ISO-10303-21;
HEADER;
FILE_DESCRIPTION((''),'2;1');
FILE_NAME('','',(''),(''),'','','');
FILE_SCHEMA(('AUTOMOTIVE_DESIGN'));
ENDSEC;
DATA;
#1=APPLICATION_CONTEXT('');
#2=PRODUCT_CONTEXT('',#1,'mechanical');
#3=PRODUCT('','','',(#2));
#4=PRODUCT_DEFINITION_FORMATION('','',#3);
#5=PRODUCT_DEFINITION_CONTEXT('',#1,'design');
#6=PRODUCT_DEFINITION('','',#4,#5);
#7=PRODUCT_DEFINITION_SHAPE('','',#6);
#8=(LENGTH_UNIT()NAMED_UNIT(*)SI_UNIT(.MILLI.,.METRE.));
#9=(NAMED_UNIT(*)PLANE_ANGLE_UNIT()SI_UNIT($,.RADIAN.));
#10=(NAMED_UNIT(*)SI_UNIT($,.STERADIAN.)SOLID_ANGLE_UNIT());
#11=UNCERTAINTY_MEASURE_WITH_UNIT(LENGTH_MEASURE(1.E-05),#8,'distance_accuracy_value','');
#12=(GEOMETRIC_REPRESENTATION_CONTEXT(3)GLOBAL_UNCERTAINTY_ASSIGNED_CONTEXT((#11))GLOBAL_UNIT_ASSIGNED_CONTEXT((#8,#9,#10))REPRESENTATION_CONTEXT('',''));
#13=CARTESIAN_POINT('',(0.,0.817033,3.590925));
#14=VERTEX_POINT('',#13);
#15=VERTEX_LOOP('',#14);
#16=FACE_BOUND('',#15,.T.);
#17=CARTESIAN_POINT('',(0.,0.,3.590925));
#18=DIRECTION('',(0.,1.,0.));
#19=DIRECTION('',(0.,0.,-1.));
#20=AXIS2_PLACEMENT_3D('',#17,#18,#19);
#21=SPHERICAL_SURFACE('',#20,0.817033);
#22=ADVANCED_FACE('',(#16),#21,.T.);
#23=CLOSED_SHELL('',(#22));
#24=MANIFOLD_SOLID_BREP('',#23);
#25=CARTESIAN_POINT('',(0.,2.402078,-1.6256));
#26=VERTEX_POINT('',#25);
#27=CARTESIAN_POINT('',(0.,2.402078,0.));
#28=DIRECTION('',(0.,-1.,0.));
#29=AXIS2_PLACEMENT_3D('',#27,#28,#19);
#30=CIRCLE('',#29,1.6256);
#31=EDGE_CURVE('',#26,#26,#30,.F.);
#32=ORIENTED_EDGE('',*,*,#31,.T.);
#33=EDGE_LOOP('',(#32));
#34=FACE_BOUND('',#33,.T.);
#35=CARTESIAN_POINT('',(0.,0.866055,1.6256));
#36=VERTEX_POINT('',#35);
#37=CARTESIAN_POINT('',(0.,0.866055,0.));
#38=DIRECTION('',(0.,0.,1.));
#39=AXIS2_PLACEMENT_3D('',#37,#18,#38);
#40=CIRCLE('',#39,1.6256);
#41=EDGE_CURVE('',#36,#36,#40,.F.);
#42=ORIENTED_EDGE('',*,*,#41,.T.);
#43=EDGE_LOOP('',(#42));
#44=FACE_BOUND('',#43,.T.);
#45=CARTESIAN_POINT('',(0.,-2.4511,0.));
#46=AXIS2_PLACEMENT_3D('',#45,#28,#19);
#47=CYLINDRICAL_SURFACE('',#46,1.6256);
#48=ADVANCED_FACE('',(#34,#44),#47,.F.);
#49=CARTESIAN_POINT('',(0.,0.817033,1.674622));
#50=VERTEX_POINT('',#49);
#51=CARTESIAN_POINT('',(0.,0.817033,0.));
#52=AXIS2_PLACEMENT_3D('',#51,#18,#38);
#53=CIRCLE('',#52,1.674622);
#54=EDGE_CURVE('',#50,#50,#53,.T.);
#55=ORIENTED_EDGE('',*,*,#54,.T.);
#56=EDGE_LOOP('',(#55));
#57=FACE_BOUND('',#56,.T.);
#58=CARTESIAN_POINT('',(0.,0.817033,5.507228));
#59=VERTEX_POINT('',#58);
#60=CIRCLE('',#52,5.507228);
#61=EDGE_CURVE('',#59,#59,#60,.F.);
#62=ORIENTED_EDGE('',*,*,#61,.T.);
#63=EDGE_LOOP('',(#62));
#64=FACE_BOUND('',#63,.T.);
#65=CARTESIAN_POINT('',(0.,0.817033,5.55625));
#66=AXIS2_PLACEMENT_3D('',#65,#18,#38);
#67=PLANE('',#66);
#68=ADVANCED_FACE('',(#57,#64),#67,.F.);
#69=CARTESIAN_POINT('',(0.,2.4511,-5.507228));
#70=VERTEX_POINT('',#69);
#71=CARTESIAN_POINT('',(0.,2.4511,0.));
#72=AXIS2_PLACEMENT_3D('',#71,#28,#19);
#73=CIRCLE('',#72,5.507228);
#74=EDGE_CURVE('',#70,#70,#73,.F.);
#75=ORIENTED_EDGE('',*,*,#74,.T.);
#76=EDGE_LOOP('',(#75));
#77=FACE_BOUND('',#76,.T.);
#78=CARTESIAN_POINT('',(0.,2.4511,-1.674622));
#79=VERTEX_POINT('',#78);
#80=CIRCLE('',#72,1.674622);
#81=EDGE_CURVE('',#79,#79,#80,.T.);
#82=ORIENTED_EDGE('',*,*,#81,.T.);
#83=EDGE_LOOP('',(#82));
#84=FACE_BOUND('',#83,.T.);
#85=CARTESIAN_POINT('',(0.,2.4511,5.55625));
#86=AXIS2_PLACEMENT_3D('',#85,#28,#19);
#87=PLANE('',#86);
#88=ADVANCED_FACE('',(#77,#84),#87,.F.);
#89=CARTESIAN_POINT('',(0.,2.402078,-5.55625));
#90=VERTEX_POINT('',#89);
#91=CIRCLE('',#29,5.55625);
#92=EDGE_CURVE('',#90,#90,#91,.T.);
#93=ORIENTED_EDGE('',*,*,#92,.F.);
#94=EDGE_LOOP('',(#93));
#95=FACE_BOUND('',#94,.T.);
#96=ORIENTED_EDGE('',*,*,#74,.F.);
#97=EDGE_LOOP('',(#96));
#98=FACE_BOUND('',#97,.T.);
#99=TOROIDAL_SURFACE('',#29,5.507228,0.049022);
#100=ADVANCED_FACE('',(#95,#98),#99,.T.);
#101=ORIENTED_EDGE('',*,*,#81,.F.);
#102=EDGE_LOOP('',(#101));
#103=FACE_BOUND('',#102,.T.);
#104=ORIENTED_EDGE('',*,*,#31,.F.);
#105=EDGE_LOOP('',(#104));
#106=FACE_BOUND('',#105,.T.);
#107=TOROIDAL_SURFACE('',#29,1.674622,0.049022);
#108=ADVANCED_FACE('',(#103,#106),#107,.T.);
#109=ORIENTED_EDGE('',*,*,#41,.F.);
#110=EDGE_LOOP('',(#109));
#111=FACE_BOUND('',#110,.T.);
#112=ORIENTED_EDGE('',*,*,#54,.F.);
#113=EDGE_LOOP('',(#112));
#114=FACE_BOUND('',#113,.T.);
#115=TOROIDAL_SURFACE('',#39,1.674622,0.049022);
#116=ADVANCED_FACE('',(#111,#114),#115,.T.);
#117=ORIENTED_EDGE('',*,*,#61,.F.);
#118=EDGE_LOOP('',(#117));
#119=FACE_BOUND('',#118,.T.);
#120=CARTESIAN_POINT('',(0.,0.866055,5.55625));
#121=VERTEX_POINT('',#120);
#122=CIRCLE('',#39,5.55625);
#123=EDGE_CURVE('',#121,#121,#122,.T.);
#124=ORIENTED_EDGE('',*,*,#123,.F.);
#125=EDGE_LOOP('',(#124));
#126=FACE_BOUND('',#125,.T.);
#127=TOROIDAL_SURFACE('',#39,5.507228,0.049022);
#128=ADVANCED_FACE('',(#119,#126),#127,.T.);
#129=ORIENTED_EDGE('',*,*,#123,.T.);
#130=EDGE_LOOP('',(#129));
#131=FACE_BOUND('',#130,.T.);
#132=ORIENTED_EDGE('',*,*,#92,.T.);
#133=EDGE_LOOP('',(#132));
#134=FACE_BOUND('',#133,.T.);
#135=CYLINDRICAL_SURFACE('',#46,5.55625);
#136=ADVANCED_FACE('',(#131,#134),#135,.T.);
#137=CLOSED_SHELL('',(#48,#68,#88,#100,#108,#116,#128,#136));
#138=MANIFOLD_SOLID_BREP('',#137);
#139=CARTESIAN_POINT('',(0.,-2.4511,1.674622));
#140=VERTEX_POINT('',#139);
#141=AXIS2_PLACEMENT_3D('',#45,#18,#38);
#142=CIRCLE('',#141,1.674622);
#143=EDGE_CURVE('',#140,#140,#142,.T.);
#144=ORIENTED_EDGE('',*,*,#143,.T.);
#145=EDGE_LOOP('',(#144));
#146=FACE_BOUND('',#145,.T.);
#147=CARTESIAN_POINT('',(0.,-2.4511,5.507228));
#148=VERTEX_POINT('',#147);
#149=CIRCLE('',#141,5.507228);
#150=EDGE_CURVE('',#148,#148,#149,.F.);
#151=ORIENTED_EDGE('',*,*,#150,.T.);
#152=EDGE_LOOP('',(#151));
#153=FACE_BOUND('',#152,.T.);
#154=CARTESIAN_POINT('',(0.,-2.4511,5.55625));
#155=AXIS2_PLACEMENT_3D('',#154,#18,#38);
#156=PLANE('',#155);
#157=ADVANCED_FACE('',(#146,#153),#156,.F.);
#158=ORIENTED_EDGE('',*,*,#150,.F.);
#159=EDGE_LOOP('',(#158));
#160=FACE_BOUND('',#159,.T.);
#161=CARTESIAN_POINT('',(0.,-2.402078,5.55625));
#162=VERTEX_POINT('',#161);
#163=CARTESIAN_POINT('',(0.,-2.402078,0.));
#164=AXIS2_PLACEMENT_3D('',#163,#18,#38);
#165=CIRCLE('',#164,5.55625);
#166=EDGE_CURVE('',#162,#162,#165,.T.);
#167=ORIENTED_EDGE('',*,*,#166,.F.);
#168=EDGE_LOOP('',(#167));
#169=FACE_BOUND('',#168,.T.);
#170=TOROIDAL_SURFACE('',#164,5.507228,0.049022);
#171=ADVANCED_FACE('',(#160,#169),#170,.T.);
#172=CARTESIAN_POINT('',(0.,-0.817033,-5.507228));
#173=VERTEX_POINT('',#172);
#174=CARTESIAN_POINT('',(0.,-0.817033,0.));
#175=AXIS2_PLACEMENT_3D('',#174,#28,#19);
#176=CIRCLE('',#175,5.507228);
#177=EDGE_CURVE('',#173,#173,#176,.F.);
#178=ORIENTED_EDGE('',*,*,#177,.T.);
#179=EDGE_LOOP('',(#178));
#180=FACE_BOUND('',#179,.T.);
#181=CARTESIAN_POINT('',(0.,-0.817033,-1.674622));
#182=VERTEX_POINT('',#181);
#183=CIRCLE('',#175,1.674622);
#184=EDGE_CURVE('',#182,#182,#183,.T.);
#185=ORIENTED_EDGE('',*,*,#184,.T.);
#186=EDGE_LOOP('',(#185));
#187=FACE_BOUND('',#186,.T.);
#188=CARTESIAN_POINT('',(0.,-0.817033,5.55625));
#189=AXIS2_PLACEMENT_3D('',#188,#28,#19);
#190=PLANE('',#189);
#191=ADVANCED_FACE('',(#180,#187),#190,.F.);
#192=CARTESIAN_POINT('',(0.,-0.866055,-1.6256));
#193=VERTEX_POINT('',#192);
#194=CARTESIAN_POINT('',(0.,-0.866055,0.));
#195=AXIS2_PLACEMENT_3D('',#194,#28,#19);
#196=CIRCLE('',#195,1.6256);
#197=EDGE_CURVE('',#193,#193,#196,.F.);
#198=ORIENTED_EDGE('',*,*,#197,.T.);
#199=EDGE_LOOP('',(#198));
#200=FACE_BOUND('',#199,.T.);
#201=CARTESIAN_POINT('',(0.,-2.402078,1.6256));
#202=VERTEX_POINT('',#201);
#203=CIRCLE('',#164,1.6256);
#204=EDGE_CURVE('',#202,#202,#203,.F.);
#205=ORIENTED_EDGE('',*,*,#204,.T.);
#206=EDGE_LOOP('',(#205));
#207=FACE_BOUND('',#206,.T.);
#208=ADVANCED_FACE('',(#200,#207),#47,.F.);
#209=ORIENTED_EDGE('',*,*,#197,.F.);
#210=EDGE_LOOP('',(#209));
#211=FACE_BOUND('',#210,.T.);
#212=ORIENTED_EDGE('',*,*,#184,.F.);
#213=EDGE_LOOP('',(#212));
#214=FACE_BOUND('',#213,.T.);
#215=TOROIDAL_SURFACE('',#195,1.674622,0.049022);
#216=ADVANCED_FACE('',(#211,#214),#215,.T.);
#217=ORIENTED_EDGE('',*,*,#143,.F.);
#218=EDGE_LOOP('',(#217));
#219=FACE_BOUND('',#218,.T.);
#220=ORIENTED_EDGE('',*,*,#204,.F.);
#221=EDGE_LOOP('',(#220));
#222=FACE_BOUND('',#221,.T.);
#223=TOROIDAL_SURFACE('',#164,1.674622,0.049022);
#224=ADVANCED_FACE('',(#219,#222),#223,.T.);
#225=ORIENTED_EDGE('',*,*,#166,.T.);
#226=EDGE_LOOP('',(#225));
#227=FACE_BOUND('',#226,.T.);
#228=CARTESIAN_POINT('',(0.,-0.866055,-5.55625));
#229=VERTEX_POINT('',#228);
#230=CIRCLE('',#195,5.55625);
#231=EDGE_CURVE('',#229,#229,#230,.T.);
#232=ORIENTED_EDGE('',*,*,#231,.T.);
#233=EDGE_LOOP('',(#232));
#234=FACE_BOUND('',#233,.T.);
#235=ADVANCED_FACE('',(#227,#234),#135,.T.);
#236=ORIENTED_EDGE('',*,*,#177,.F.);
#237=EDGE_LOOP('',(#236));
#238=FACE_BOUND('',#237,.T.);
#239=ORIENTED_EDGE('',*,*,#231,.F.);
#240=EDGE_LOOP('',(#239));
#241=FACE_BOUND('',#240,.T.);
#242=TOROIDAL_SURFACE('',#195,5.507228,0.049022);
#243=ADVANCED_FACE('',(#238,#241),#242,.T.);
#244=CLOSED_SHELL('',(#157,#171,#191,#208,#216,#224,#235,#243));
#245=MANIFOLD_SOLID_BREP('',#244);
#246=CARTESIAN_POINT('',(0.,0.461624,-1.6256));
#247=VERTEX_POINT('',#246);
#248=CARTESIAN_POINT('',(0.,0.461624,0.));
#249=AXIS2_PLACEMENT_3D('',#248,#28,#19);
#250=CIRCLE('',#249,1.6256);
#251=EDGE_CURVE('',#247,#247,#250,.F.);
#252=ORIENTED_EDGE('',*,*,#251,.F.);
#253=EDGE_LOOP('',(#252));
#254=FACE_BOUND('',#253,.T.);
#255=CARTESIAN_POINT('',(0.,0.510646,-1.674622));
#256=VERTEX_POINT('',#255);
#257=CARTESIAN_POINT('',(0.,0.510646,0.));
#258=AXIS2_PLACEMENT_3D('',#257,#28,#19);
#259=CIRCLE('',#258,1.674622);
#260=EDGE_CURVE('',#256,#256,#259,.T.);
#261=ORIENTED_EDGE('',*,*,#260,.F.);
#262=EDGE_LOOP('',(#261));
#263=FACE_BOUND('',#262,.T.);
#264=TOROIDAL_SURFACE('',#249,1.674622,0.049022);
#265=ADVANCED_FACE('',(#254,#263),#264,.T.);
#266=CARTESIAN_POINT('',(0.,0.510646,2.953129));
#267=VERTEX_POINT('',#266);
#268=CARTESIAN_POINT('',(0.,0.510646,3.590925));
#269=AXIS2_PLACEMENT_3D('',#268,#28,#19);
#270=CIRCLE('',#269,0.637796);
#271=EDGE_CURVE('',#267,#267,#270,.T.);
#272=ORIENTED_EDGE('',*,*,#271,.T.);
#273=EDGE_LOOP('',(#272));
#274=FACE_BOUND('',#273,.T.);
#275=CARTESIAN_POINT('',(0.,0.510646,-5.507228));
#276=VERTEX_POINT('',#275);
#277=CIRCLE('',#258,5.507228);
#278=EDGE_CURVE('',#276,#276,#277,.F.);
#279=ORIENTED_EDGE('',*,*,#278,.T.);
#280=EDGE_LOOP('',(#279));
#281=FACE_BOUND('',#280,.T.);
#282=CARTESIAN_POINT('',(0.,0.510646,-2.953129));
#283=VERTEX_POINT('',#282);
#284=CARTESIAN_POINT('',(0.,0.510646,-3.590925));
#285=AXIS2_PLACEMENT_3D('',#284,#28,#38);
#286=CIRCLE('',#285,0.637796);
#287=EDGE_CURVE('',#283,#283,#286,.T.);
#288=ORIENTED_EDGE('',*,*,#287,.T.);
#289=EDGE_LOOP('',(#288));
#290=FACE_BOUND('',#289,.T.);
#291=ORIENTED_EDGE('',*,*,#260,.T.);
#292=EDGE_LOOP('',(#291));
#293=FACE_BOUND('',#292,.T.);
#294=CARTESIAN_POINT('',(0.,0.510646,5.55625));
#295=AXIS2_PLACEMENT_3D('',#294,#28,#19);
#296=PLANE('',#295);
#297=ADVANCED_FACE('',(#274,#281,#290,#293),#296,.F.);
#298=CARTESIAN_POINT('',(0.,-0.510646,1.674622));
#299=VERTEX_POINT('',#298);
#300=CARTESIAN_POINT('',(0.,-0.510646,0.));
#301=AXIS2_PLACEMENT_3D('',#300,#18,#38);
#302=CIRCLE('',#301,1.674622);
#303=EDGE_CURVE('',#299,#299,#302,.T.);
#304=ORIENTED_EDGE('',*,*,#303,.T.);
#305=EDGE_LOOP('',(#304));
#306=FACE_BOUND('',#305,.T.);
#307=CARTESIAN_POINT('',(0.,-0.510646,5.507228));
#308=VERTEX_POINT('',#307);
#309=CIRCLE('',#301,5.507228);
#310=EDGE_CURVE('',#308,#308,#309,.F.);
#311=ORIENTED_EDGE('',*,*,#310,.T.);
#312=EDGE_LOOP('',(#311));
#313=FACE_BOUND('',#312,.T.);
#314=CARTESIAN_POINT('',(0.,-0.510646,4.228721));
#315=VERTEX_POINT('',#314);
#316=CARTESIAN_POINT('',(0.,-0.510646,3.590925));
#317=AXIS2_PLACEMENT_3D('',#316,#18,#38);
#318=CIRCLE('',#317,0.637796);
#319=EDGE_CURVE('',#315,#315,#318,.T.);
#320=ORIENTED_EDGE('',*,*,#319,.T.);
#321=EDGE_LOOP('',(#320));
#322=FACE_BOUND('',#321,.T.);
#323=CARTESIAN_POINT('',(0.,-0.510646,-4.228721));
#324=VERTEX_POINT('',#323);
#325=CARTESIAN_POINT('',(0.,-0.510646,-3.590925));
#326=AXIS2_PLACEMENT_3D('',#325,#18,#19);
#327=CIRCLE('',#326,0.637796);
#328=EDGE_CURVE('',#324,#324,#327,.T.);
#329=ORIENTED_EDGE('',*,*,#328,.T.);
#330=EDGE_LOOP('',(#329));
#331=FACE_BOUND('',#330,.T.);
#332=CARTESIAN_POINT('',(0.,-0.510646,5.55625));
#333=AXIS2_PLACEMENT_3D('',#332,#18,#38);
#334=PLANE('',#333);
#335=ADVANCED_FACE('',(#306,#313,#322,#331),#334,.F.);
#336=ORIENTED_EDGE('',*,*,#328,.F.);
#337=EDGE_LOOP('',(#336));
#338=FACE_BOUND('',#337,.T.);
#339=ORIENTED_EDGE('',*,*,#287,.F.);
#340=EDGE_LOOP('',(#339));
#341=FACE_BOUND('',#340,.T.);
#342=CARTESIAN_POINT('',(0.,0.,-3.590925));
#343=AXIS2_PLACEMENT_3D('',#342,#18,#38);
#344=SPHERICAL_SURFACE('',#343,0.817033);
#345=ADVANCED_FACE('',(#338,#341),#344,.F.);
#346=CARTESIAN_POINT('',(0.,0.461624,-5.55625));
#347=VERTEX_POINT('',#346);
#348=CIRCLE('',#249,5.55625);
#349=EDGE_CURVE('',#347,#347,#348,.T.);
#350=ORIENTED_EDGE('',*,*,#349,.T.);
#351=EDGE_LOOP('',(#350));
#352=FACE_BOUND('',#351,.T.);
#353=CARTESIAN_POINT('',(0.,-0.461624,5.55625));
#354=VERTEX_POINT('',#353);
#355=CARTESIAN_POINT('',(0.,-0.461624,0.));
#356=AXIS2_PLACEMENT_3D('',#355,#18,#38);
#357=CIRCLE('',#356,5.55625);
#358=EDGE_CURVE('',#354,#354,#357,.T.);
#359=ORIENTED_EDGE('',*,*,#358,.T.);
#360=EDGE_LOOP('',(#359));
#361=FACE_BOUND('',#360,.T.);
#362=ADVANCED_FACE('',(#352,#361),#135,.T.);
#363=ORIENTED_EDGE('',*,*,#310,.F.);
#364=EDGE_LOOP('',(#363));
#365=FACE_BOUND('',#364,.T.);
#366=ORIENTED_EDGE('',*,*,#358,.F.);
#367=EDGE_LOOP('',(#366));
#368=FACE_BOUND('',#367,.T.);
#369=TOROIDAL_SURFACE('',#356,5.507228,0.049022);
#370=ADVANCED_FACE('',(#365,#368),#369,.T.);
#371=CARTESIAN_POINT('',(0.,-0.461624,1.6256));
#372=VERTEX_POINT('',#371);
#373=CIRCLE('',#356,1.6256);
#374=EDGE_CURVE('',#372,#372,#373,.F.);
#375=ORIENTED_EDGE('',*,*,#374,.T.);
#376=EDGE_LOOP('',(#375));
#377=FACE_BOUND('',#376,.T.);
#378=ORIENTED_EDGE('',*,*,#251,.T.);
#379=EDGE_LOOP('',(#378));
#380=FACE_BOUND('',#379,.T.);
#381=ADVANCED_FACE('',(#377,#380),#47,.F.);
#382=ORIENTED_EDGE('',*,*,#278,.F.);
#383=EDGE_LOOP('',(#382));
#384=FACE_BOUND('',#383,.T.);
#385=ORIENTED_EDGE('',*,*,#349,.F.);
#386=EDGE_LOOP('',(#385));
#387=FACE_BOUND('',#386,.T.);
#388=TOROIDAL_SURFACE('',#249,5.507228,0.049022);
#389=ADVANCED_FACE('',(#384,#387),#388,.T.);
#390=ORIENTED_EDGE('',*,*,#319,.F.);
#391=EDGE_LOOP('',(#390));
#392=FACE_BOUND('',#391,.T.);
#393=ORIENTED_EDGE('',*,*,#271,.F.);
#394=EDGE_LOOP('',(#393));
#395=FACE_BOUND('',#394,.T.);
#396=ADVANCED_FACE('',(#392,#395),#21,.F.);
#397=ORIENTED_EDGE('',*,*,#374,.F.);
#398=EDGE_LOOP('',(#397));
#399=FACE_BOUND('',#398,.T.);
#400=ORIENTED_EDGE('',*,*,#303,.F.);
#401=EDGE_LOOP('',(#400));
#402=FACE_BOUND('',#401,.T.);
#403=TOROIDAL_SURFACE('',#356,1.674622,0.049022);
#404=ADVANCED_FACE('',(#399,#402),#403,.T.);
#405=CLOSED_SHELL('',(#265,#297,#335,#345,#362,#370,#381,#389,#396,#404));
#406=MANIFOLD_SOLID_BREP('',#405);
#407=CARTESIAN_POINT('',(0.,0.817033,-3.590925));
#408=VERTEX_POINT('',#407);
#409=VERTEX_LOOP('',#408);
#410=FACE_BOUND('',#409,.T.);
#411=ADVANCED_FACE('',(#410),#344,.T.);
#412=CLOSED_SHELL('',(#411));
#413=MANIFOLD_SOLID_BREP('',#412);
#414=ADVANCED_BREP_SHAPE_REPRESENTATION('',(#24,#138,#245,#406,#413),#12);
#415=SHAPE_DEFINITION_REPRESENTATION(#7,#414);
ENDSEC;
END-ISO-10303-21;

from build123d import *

# Parameters (mm, degrees)
SKETCH1_W         = 3.93065
SKETCH1_H         = 1.021291666
CIRPATTERN1_COUNT = 2
CIRPATTERN1_ANGLE = 180
CIRPATTERN2_COUNT = 2
SKETCH4_W         = 3.93065
SKETCH4_H         = 1.634066667
FILLET1_R         = 0.049022
FILLET2_R         = 0.049022
FILLET3_R         = 0.049022


with BuildPart() as part:
    # Sketch1 → Revolve1 (revolve)
    with BuildSketch(Plane(origin=(0, 0, 0), x_dir=(0, 0, -1), z_dir=(1, 0, 0))):
        with Locations((-3.590925, 0)):
            Rectangle(SKETCH1_W, SKETCH1_H)
    revolve(axis=Axis((0, -2.4511, 0), (0, 1, 0)))

    # Sketch3 → Cut-Revolve1 (revolve, cut)
    with BuildSketch(Plane(origin=(0, 0, 0), x_dir=(0, 0, -1), z_dir=(1, 0, 0))):
        with BuildLine():
            Line((-3.590925, 0.817033333), (-3.590925, -0.817033333))
            ThreePointArc((-3.590925, -0.817033333), (-4.407958333, 0), (-3.590925, 0.817033333))
        make_face()
    cut_revolve1 = revolve(axis=Axis((0, 0.817033333, 3.590925), (0, -1, 0)), mode=Mode.SUBTRACT)

    # CirPattern2: Cut-Revolve1 ×2 about axis
    cirpattern2_axis = Axis((0, 2.4511, 0), (0, -1, 0))
    for i in range(1, CIRPATTERN2_COUNT):
        add(cut_revolve1.rotate(cirpattern2_axis, i * 360 / CIRPATTERN2_COUNT), mode=Mode.SUBTRACT)

    # Fillet2
    fillet2_edges = [part.edges().sort_by_distance(p)[0] for p in [
        (0, 0.510645833, -5.55625),
        (0, 0.510645833, -1.6256),
        (0, -0.510645833, -1.6256),
        (0, -0.510645833, -5.55625),
    ]]
    fillet(fillet2_edges, radius=FILLET2_R)


with BuildPart() as body_2:
    # Sketch2 → Revolve2 (revolve)
    with BuildSketch(Plane(origin=(0, 0, 0), x_dir=(0, 0, -1), z_dir=(1, 0, 0))):
        with BuildLine():
            Line((-3.590925, 0.817033333), (-3.590925, -0.817033333))
            ThreePointArc((-3.590925, -0.817033333), (-4.407958333, 0), (-3.590925, 0.817033333))
        make_face()
    revolve(axis=Axis((0, 0.817033333, 3.590925), (0, -1, 0)))


with BuildPart() as cirpattern1_1:
    # CirPattern1: pattern copy
    add(body_2.part.rotate(Axis((0, 2.4511, 0), (0, -1, 0)), 1 * CIRPATTERN1_ANGLE / (CIRPATTERN1_COUNT - 1)))


with BuildPart() as body_4:
    # Sketch4 → Revolve3 (revolve)
    with BuildSketch(Plane(origin=(0, 0, 0), x_dir=(0, 0, -1), z_dir=(1, 0, 0))):
        with Locations((-3.590925, 1.634066667)):
            Rectangle(SKETCH4_W, SKETCH4_H)
        with Locations((-3.590925, -1.634066667)):
            Rectangle(SKETCH4_W, SKETCH4_H)
    revolve(axis=Axis((0, -2.4511, 0), (0, 1, 0)))

    # Fillet1
    fillet1_edges = [body_4.edges().sort_by_distance(p)[0] for p in [
        (0, 0.817033333, -5.55625),
        (0, 0.817033333, -1.6256),
        (0, 2.4511, -1.6256),
        (0, 2.4511, -5.55625),
    ]]
    fillet(fillet1_edges, radius=FILLET1_R)

    # Fillet3
    fillet3_edges = [body_4.edges().sort_by_distance(p)[0] for p in [
        (0, -2.4511, -5.55625),
        (0, -2.4511, -1.6256),
        (0, -0.817033333, -1.6256),
        (0, -0.817033333, -5.55625),
    ]]
    fillet(fillet3_edges, radius=FILLET3_R)


solid = Compound([part.part, body_2.part, cirpattern1_1.part, body_4.part])
